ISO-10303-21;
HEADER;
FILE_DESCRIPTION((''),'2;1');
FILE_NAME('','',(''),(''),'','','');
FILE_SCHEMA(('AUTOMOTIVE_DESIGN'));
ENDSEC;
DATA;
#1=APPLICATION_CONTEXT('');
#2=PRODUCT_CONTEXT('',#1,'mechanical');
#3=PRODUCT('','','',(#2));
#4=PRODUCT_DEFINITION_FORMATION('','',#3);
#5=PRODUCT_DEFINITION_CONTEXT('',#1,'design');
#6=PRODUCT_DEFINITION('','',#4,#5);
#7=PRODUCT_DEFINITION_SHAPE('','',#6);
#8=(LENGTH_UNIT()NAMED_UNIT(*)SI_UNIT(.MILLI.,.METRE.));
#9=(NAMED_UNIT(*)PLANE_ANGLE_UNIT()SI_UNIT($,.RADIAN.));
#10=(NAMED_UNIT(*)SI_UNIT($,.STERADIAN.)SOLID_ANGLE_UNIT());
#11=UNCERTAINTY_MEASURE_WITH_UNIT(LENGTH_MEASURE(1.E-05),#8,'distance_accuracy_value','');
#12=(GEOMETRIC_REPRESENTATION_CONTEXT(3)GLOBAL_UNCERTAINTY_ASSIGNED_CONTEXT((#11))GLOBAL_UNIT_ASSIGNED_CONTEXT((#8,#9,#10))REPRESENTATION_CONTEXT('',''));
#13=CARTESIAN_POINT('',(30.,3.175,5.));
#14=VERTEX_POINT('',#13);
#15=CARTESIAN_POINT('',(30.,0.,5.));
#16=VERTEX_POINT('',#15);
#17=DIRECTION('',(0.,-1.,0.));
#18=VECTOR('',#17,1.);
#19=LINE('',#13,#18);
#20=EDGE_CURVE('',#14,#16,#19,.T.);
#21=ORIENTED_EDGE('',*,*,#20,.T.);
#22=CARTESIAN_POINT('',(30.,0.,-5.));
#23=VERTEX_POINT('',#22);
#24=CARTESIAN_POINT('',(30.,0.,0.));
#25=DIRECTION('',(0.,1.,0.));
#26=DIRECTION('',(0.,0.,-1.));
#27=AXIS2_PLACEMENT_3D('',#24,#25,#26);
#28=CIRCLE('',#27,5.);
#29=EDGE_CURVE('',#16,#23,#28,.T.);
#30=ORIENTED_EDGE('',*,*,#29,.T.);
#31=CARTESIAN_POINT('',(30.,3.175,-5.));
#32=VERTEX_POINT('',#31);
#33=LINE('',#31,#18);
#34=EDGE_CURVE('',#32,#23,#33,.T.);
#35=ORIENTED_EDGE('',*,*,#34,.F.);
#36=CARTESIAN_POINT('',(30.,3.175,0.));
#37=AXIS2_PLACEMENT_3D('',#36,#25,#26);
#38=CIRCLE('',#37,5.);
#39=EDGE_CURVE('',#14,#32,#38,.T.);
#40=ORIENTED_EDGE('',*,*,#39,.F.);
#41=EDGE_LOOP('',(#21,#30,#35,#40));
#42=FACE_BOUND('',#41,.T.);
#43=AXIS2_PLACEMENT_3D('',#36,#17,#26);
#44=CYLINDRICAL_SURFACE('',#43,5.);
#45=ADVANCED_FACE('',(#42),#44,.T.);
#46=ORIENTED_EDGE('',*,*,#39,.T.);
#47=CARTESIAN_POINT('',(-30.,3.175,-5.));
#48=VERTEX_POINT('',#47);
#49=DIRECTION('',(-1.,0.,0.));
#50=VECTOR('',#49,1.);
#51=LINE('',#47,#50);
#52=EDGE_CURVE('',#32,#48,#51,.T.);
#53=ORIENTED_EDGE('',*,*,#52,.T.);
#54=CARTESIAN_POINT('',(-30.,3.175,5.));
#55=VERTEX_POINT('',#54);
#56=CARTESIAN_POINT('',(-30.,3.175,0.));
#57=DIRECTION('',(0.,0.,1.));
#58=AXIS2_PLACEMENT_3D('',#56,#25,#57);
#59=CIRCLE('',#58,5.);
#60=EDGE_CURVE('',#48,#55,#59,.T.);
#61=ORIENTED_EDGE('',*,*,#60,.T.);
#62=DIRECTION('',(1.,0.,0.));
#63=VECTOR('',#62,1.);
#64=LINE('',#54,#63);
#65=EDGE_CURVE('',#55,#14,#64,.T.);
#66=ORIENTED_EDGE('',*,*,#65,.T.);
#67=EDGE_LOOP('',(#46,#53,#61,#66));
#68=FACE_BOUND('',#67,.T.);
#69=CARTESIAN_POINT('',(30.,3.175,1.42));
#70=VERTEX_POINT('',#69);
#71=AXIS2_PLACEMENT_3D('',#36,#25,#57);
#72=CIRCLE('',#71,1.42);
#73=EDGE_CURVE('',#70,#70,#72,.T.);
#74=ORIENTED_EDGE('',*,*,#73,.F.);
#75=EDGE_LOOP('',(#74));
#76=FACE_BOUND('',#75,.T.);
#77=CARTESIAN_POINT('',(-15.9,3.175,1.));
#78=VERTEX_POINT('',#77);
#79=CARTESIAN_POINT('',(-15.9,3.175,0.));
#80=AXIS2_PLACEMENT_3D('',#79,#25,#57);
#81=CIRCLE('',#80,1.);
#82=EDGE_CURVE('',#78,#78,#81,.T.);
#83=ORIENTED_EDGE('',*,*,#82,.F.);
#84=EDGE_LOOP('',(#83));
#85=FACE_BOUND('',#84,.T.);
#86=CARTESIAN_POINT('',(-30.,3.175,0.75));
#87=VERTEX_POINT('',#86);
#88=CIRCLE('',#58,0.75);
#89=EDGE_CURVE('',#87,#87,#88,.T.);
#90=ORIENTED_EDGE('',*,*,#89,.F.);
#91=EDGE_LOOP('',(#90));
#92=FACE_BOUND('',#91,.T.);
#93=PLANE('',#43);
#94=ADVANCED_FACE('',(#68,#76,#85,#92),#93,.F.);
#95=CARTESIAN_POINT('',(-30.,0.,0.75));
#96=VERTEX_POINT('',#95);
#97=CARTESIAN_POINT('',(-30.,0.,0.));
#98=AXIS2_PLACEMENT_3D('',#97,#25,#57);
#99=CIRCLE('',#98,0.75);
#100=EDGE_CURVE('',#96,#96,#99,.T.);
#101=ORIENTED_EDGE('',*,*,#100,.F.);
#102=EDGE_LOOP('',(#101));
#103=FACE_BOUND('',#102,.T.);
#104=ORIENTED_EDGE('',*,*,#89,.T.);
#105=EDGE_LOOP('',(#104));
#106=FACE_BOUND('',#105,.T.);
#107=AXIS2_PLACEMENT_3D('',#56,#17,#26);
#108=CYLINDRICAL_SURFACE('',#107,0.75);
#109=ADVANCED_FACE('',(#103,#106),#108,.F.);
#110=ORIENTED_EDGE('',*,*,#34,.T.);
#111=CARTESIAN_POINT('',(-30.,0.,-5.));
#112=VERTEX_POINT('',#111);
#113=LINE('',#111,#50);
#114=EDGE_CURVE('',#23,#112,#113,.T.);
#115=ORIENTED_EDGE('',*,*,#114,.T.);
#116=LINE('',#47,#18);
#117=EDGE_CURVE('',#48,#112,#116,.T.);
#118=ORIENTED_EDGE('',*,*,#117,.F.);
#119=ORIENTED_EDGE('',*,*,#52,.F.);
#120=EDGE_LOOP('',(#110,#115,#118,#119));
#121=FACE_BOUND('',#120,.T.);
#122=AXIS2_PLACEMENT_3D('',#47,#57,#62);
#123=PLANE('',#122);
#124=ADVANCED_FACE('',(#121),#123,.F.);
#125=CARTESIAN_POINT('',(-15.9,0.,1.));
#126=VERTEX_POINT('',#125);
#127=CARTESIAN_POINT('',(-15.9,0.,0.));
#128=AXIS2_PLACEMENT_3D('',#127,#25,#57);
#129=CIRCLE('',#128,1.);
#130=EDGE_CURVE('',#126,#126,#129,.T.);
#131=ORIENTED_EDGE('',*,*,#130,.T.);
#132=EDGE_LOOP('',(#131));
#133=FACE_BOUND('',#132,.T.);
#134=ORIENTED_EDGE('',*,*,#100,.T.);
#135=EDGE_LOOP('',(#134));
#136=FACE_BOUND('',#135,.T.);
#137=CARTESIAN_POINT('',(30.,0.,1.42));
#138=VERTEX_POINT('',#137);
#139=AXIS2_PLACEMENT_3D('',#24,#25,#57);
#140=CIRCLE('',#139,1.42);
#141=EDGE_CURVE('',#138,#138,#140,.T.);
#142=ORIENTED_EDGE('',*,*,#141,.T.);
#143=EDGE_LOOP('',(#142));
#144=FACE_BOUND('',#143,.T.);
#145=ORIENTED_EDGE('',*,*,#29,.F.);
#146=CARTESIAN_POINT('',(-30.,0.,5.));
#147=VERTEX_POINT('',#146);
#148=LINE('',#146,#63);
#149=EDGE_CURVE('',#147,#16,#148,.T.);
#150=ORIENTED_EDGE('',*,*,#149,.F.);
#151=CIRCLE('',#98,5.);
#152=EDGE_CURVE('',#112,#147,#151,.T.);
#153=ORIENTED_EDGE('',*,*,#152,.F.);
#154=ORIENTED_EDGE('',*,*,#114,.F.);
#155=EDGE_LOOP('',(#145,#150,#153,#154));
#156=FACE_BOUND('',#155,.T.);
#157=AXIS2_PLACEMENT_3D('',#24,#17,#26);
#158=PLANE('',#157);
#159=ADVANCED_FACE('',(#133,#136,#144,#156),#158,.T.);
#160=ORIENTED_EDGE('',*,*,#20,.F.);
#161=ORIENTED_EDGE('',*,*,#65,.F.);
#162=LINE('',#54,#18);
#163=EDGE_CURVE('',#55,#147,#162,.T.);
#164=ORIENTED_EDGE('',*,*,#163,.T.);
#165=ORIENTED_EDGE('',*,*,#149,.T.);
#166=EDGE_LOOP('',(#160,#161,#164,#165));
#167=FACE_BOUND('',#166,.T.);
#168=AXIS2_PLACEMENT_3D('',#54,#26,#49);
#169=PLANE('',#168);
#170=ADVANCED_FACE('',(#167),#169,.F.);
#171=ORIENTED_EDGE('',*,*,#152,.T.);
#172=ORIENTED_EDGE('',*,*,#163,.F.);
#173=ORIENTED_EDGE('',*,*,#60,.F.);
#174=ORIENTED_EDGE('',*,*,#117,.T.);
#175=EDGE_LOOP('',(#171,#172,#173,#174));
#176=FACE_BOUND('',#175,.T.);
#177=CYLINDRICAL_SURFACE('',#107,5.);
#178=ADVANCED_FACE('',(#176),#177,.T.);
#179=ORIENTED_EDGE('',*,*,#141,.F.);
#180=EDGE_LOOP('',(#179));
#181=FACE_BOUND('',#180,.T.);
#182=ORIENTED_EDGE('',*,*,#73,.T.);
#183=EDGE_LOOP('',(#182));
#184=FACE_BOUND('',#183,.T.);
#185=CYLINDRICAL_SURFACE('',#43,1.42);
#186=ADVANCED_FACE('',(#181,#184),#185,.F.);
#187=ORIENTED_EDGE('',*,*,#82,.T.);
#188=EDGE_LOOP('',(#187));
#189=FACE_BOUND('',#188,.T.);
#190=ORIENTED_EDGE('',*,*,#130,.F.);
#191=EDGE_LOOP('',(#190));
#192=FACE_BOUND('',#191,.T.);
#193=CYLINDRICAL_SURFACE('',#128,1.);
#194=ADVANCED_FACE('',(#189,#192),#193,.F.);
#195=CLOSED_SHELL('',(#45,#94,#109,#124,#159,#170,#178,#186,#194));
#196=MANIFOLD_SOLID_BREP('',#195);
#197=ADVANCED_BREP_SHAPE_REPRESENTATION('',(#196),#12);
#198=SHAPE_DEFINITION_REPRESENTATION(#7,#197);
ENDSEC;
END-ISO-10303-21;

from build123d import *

# Parameters (mm, degrees)
SKETCH3_R          = 1.42
SKETCH3_R_2        = 0.75
ARM_DEPTH          = 3.175
SKETCH5_R          = 1
CUT_EXTRUDE2_DEPTH = 4.175


with BuildPart() as part:
    # Sketch3 → Arm (new body)
    with BuildSketch(Plane(origin=(0, 0, 0), x_dir=(1, 0, 0), z_dir=(0, 1, 0))):
        with BuildLine():
            Line((-30, 5), (30, 5))
            ThreePointArc((30, 5), (35, 0), (30, -5))
            Line((30, -5), (-30, -5))
            ThreePointArc((-30, -5), (-35, 0), (-30, 5))
        make_face()
        with Locations((30, 0)):
            Circle(SKETCH3_R, mode=Mode.SUBTRACT)
        with Locations((-30, 0)):
            Circle(SKETCH3_R_2, mode=Mode.SUBTRACT)
    extrude(amount=ARM_DEPTH)

    # Sketch5 → Cut-Extrude2 (cut, through all)
    with BuildSketch(Plane(origin=(0, 3.175, 0), x_dir=(1, 0, 0), z_dir=(0, 1, 0))):
        with Locations((-15.9, 0)):
            Circle(SKETCH5_R)
    extrude(amount=-CUT_EXTRUDE2_DEPTH, mode=Mode.SUBTRACT)


solid = part.part
